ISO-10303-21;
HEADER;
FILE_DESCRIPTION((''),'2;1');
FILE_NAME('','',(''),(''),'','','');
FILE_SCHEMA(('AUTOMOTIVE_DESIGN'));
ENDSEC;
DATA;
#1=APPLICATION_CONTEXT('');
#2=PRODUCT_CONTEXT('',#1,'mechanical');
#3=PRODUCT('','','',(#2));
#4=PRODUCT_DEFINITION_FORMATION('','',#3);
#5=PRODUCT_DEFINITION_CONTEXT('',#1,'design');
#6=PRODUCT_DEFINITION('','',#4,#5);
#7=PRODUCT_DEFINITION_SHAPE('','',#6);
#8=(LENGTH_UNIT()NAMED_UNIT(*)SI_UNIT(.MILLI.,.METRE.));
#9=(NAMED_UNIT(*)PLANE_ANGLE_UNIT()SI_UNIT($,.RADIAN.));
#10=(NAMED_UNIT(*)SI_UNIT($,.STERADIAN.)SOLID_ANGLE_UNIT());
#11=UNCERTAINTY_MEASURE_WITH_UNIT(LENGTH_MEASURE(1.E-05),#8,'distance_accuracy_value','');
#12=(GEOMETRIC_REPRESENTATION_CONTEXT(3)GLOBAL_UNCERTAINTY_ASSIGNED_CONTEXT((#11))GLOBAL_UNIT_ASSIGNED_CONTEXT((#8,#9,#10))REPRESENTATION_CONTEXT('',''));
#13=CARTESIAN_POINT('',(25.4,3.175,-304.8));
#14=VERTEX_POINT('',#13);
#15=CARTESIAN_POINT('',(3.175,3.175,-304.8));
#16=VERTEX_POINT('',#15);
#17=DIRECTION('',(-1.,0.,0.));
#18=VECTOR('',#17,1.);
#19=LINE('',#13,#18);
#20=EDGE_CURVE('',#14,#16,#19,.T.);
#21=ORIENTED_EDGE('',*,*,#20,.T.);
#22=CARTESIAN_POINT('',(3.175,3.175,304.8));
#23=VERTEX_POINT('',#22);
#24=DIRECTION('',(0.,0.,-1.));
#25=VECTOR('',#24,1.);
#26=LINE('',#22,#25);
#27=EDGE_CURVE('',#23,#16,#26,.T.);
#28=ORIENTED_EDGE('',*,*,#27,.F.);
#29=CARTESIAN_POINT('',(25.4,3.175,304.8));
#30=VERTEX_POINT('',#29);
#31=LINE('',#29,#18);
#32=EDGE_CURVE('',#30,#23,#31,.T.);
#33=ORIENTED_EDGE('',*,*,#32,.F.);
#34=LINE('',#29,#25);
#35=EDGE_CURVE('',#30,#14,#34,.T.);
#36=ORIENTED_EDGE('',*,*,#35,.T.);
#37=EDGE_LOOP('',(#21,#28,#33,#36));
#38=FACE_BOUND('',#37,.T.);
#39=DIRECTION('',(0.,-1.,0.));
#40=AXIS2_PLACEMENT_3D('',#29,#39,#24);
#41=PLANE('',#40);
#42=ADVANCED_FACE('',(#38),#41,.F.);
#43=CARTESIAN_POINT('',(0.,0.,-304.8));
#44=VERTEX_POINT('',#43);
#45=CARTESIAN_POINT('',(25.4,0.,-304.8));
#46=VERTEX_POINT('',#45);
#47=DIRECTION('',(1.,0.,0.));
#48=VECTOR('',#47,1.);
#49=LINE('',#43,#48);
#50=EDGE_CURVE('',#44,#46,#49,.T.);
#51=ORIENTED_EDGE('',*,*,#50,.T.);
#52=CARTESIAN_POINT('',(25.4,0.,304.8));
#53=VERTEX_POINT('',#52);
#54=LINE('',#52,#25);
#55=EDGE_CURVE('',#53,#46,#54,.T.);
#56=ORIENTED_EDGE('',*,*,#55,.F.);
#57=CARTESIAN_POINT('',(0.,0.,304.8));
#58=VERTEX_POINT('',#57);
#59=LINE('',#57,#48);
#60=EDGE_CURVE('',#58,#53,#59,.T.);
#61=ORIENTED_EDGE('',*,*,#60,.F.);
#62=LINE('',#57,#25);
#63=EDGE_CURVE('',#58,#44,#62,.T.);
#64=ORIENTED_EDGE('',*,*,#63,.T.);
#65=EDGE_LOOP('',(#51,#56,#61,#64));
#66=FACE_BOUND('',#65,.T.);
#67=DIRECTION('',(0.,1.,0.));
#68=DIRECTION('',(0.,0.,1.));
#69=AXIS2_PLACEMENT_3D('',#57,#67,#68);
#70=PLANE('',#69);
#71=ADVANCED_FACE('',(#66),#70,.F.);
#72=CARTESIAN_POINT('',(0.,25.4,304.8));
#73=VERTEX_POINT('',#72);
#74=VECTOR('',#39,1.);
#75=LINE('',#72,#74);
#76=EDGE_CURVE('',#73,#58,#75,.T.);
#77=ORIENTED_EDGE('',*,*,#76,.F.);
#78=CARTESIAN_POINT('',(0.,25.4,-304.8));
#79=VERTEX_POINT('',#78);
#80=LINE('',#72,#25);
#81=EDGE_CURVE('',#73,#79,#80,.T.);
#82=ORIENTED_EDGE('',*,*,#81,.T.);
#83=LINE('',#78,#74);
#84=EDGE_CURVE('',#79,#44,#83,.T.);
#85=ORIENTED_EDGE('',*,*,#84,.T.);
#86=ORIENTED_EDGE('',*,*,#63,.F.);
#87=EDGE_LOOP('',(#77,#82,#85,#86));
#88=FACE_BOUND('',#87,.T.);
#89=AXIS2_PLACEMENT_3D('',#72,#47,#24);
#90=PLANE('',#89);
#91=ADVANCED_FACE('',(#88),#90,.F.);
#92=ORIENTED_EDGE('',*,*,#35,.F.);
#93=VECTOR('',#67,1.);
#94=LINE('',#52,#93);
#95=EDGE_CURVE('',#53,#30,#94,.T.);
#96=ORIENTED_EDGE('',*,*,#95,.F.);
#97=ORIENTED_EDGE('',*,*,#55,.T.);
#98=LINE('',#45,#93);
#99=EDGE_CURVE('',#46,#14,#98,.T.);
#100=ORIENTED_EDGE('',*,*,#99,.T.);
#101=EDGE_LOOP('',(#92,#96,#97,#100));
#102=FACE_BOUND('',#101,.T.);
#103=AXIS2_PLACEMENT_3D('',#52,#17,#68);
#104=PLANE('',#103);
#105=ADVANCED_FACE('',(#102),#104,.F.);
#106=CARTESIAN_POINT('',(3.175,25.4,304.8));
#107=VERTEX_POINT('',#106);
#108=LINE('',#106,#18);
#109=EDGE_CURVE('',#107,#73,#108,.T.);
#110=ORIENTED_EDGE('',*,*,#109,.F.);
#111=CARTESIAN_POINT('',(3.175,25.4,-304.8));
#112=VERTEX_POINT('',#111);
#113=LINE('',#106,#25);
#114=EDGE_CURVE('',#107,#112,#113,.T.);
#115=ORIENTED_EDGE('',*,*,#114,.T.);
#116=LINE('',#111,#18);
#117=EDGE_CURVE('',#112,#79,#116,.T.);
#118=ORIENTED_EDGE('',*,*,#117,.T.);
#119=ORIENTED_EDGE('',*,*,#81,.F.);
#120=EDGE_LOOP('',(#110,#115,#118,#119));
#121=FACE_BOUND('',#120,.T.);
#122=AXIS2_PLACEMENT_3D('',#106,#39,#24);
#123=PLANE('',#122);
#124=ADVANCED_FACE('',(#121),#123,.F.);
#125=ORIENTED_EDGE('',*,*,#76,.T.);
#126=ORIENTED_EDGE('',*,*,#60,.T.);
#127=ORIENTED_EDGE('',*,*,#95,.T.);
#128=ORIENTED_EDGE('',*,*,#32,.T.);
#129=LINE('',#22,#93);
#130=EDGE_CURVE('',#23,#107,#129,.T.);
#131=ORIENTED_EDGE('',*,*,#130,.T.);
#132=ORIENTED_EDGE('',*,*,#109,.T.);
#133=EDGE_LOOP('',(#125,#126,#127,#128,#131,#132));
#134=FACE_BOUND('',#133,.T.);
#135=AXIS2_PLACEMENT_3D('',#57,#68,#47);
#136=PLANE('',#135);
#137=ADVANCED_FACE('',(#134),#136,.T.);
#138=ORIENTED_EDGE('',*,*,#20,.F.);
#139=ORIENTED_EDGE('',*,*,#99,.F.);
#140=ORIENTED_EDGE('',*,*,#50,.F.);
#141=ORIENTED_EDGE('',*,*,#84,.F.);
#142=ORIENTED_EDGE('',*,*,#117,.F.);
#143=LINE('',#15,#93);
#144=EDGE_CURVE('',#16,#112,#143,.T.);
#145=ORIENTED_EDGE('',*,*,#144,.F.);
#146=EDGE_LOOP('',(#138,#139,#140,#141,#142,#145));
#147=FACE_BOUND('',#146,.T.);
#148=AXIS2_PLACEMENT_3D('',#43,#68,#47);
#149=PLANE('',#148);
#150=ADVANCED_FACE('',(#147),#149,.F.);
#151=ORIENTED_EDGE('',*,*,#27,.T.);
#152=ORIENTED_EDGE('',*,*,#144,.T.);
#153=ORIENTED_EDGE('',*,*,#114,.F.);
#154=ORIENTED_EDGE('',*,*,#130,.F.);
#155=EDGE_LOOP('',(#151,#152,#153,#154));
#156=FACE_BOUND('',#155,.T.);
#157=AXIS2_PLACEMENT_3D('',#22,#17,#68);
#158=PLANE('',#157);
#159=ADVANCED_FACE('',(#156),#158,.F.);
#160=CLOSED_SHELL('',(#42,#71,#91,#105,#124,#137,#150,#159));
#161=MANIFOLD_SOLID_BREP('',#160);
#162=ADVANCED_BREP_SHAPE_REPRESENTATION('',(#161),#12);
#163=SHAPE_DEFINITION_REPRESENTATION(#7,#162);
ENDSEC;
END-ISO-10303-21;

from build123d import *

# Parameters (mm, degrees)
BOSS_EXTRUDE1_DEPTH = 304.8


with BuildPart() as part:
    # Sketch1 → Boss-Extrude1 (new body, symmetric)
    with BuildSketch(Plane.XY):
        Polygon((0, 25.4), (0, 0), (25.4, 0), (25.4, 3.175), (3.175, 3.175), (3.175, 25.4), align=None)
    extrude(amount=BOSS_EXTRUDE1_DEPTH, both=True)


solid = part.part
